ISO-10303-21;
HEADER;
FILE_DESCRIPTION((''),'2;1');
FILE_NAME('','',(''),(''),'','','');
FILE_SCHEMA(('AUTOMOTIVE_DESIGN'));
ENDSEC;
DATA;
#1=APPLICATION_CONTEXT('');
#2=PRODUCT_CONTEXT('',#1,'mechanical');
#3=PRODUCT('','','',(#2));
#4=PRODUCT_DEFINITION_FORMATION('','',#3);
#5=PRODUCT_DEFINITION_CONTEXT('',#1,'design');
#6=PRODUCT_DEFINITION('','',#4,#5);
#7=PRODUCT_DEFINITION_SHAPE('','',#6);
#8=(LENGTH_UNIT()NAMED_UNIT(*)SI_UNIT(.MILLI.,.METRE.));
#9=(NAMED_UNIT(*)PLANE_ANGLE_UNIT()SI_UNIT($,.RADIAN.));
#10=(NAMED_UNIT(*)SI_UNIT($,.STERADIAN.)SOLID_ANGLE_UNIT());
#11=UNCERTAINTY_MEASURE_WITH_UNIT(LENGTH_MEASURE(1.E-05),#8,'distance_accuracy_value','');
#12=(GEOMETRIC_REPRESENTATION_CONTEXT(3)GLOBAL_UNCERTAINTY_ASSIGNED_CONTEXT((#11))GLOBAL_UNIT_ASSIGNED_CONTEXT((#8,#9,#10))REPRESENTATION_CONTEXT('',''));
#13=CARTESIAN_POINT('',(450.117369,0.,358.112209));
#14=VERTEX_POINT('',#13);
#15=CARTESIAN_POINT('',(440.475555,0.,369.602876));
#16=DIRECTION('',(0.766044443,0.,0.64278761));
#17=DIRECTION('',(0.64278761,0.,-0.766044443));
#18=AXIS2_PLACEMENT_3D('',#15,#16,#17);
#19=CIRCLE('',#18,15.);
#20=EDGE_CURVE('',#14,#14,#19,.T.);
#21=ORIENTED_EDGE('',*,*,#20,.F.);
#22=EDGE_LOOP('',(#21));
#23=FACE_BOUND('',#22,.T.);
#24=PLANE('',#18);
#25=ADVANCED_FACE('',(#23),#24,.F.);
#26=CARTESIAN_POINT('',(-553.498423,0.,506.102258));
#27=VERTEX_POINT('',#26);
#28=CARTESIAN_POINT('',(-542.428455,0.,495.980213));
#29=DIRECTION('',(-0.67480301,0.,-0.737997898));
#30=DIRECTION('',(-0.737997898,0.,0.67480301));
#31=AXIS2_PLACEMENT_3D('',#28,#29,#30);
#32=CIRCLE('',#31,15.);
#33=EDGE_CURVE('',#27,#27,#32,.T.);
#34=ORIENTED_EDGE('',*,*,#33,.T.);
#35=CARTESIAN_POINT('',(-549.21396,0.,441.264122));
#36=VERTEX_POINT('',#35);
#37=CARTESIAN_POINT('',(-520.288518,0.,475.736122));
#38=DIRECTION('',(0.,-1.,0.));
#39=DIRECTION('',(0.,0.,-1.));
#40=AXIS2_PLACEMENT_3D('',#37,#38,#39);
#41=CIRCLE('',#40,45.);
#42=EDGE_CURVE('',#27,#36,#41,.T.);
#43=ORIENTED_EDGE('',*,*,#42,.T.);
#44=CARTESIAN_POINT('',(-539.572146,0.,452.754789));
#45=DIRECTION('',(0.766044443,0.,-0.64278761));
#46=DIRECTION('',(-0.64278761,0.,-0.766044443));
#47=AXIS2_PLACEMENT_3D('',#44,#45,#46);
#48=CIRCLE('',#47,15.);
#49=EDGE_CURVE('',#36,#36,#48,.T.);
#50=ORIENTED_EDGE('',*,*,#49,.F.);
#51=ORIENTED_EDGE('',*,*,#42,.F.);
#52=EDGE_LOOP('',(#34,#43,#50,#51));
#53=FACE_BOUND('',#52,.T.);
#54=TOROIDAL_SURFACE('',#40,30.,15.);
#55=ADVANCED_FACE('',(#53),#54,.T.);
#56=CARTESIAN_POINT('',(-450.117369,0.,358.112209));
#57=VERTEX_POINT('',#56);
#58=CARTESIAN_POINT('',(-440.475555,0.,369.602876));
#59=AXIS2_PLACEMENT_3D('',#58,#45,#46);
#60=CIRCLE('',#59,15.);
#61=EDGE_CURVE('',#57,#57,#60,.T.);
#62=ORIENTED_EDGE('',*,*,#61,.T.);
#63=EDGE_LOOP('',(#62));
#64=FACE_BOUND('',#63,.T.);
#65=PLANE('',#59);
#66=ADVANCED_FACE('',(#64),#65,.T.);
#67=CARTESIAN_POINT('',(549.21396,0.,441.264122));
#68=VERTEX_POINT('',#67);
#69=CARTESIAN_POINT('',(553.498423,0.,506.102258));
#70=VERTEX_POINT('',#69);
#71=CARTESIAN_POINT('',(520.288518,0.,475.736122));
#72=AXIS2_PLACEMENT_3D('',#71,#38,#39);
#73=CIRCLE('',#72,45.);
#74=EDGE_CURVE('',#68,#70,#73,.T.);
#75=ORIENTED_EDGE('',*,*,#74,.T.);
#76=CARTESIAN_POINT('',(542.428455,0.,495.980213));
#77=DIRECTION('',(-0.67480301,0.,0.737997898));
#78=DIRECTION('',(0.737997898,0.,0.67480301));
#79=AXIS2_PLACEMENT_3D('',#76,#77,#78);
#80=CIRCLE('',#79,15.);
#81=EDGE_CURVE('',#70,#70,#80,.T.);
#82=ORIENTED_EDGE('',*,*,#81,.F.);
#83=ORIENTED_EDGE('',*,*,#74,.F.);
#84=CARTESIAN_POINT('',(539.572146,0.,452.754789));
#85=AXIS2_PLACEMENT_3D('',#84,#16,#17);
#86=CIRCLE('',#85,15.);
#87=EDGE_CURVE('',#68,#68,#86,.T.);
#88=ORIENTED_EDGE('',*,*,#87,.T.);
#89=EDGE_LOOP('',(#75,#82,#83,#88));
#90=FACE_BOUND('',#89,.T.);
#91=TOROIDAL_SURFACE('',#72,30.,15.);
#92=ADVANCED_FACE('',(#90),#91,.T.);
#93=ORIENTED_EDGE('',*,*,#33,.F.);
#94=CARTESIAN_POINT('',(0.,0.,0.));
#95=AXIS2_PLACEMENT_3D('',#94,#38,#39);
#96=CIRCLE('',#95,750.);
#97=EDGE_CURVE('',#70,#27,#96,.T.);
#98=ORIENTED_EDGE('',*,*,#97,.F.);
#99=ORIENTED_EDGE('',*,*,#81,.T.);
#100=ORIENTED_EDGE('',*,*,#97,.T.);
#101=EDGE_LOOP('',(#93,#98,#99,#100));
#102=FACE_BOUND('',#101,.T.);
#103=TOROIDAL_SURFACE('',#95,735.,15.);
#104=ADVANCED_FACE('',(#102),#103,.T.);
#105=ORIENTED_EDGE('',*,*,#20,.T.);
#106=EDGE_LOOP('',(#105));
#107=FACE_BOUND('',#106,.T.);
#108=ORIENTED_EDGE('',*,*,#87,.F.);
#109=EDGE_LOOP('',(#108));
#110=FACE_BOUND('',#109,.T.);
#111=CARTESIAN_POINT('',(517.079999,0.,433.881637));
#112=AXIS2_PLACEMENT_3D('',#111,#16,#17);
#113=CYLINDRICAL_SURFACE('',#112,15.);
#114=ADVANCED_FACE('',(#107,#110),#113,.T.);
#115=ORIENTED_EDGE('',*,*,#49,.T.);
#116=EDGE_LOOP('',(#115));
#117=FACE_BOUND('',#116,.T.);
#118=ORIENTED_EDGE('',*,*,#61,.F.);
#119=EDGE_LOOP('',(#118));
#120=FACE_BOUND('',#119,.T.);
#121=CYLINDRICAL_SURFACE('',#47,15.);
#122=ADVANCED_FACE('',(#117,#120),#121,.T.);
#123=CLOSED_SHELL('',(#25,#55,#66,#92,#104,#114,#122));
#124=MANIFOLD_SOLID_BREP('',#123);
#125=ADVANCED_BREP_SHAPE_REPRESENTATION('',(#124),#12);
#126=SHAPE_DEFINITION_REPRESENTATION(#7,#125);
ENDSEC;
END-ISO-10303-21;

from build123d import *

# Parameters (mm, degrees)
LEFT_CROSS_SECTION_SKETCH_R   = 15
RIGHT_START                   = 100
RIGHT_CROSS_SECTION_SKETCH_R  = 15
RIGHT_JOINT_EXTRUDE_DEPTH     = 100
LEFT_CROSS_SECTION_SKETCH_2_R = 15
LEFT_JOINT_EXTRUDE_DEPTH      = 100


with BuildPart() as part:
    # Bar Sweep: sweep along a path in Overhead Sketch
    with BuildLine(Plane(origin=(0, 0, 0), x_dir=(1, 0, 0), z_dir=(0, 1, 0))) as bar_sweep_path:
        Line((517.079999105, -433.881636538), (539.572146309, -452.754788961))
        ThreePointArc((539.572146309, -452.754788961), (550.223234493, -473.758055128), (542.428454955, -495.980212564))
        ThreePointArc((542.428454955, -495.980212564), (0, -735), (-542.428454955, -495.980212564))
        ThreePointArc((-542.428454955, -495.980212564), (-550.223234493, -473.758055128), (-539.572146309, -452.754788961))
        Line((-539.572146309, -452.754788961), (-517.079999105, -433.881636538))
    # Left Cross Section Sketch → Bar Sweep (sweep)
    with BuildSketch(Plane(origin=(517.079999105, 0, 433.881636538), x_dir=(0.6427876096865377, 0, -0.7660444431189796), z_dir=(0.7660444431189796, 0, 0.6427876096865377))):
        Circle(LEFT_CROSS_SECTION_SKETCH_R)
    sweep(path=bar_sweep_path.line)

    # Right Cross Section Sketch → Right Joint Extrude (add)
    with BuildSketch(Plane(origin=(-517.079999105, 0, 433.881636538), x_dir=(-0.642787609686537, 0, -0.7660444431189801), z_dir=(0.7660444431189801, 0, -0.6427876096865369)).offset(RIGHT_START)):
        Circle(RIGHT_CROSS_SECTION_SKETCH_R)
    extrude(amount=-RIGHT_JOINT_EXTRUDE_DEPTH)

    # Left Cross Section Sketch<2> → Left Joint Extrude (add)
    with BuildSketch(Plane(origin=(517.079999105, 0, 433.881636538), x_dir=(0.6427876096865377, 0, -0.7660444431189796), z_dir=(0.7660444431189796, 0, 0.6427876096865377))):
        Circle(LEFT_CROSS_SECTION_SKETCH_2_R)
    extrude(amount=-LEFT_JOINT_EXTRUDE_DEPTH)


solid = part.part
